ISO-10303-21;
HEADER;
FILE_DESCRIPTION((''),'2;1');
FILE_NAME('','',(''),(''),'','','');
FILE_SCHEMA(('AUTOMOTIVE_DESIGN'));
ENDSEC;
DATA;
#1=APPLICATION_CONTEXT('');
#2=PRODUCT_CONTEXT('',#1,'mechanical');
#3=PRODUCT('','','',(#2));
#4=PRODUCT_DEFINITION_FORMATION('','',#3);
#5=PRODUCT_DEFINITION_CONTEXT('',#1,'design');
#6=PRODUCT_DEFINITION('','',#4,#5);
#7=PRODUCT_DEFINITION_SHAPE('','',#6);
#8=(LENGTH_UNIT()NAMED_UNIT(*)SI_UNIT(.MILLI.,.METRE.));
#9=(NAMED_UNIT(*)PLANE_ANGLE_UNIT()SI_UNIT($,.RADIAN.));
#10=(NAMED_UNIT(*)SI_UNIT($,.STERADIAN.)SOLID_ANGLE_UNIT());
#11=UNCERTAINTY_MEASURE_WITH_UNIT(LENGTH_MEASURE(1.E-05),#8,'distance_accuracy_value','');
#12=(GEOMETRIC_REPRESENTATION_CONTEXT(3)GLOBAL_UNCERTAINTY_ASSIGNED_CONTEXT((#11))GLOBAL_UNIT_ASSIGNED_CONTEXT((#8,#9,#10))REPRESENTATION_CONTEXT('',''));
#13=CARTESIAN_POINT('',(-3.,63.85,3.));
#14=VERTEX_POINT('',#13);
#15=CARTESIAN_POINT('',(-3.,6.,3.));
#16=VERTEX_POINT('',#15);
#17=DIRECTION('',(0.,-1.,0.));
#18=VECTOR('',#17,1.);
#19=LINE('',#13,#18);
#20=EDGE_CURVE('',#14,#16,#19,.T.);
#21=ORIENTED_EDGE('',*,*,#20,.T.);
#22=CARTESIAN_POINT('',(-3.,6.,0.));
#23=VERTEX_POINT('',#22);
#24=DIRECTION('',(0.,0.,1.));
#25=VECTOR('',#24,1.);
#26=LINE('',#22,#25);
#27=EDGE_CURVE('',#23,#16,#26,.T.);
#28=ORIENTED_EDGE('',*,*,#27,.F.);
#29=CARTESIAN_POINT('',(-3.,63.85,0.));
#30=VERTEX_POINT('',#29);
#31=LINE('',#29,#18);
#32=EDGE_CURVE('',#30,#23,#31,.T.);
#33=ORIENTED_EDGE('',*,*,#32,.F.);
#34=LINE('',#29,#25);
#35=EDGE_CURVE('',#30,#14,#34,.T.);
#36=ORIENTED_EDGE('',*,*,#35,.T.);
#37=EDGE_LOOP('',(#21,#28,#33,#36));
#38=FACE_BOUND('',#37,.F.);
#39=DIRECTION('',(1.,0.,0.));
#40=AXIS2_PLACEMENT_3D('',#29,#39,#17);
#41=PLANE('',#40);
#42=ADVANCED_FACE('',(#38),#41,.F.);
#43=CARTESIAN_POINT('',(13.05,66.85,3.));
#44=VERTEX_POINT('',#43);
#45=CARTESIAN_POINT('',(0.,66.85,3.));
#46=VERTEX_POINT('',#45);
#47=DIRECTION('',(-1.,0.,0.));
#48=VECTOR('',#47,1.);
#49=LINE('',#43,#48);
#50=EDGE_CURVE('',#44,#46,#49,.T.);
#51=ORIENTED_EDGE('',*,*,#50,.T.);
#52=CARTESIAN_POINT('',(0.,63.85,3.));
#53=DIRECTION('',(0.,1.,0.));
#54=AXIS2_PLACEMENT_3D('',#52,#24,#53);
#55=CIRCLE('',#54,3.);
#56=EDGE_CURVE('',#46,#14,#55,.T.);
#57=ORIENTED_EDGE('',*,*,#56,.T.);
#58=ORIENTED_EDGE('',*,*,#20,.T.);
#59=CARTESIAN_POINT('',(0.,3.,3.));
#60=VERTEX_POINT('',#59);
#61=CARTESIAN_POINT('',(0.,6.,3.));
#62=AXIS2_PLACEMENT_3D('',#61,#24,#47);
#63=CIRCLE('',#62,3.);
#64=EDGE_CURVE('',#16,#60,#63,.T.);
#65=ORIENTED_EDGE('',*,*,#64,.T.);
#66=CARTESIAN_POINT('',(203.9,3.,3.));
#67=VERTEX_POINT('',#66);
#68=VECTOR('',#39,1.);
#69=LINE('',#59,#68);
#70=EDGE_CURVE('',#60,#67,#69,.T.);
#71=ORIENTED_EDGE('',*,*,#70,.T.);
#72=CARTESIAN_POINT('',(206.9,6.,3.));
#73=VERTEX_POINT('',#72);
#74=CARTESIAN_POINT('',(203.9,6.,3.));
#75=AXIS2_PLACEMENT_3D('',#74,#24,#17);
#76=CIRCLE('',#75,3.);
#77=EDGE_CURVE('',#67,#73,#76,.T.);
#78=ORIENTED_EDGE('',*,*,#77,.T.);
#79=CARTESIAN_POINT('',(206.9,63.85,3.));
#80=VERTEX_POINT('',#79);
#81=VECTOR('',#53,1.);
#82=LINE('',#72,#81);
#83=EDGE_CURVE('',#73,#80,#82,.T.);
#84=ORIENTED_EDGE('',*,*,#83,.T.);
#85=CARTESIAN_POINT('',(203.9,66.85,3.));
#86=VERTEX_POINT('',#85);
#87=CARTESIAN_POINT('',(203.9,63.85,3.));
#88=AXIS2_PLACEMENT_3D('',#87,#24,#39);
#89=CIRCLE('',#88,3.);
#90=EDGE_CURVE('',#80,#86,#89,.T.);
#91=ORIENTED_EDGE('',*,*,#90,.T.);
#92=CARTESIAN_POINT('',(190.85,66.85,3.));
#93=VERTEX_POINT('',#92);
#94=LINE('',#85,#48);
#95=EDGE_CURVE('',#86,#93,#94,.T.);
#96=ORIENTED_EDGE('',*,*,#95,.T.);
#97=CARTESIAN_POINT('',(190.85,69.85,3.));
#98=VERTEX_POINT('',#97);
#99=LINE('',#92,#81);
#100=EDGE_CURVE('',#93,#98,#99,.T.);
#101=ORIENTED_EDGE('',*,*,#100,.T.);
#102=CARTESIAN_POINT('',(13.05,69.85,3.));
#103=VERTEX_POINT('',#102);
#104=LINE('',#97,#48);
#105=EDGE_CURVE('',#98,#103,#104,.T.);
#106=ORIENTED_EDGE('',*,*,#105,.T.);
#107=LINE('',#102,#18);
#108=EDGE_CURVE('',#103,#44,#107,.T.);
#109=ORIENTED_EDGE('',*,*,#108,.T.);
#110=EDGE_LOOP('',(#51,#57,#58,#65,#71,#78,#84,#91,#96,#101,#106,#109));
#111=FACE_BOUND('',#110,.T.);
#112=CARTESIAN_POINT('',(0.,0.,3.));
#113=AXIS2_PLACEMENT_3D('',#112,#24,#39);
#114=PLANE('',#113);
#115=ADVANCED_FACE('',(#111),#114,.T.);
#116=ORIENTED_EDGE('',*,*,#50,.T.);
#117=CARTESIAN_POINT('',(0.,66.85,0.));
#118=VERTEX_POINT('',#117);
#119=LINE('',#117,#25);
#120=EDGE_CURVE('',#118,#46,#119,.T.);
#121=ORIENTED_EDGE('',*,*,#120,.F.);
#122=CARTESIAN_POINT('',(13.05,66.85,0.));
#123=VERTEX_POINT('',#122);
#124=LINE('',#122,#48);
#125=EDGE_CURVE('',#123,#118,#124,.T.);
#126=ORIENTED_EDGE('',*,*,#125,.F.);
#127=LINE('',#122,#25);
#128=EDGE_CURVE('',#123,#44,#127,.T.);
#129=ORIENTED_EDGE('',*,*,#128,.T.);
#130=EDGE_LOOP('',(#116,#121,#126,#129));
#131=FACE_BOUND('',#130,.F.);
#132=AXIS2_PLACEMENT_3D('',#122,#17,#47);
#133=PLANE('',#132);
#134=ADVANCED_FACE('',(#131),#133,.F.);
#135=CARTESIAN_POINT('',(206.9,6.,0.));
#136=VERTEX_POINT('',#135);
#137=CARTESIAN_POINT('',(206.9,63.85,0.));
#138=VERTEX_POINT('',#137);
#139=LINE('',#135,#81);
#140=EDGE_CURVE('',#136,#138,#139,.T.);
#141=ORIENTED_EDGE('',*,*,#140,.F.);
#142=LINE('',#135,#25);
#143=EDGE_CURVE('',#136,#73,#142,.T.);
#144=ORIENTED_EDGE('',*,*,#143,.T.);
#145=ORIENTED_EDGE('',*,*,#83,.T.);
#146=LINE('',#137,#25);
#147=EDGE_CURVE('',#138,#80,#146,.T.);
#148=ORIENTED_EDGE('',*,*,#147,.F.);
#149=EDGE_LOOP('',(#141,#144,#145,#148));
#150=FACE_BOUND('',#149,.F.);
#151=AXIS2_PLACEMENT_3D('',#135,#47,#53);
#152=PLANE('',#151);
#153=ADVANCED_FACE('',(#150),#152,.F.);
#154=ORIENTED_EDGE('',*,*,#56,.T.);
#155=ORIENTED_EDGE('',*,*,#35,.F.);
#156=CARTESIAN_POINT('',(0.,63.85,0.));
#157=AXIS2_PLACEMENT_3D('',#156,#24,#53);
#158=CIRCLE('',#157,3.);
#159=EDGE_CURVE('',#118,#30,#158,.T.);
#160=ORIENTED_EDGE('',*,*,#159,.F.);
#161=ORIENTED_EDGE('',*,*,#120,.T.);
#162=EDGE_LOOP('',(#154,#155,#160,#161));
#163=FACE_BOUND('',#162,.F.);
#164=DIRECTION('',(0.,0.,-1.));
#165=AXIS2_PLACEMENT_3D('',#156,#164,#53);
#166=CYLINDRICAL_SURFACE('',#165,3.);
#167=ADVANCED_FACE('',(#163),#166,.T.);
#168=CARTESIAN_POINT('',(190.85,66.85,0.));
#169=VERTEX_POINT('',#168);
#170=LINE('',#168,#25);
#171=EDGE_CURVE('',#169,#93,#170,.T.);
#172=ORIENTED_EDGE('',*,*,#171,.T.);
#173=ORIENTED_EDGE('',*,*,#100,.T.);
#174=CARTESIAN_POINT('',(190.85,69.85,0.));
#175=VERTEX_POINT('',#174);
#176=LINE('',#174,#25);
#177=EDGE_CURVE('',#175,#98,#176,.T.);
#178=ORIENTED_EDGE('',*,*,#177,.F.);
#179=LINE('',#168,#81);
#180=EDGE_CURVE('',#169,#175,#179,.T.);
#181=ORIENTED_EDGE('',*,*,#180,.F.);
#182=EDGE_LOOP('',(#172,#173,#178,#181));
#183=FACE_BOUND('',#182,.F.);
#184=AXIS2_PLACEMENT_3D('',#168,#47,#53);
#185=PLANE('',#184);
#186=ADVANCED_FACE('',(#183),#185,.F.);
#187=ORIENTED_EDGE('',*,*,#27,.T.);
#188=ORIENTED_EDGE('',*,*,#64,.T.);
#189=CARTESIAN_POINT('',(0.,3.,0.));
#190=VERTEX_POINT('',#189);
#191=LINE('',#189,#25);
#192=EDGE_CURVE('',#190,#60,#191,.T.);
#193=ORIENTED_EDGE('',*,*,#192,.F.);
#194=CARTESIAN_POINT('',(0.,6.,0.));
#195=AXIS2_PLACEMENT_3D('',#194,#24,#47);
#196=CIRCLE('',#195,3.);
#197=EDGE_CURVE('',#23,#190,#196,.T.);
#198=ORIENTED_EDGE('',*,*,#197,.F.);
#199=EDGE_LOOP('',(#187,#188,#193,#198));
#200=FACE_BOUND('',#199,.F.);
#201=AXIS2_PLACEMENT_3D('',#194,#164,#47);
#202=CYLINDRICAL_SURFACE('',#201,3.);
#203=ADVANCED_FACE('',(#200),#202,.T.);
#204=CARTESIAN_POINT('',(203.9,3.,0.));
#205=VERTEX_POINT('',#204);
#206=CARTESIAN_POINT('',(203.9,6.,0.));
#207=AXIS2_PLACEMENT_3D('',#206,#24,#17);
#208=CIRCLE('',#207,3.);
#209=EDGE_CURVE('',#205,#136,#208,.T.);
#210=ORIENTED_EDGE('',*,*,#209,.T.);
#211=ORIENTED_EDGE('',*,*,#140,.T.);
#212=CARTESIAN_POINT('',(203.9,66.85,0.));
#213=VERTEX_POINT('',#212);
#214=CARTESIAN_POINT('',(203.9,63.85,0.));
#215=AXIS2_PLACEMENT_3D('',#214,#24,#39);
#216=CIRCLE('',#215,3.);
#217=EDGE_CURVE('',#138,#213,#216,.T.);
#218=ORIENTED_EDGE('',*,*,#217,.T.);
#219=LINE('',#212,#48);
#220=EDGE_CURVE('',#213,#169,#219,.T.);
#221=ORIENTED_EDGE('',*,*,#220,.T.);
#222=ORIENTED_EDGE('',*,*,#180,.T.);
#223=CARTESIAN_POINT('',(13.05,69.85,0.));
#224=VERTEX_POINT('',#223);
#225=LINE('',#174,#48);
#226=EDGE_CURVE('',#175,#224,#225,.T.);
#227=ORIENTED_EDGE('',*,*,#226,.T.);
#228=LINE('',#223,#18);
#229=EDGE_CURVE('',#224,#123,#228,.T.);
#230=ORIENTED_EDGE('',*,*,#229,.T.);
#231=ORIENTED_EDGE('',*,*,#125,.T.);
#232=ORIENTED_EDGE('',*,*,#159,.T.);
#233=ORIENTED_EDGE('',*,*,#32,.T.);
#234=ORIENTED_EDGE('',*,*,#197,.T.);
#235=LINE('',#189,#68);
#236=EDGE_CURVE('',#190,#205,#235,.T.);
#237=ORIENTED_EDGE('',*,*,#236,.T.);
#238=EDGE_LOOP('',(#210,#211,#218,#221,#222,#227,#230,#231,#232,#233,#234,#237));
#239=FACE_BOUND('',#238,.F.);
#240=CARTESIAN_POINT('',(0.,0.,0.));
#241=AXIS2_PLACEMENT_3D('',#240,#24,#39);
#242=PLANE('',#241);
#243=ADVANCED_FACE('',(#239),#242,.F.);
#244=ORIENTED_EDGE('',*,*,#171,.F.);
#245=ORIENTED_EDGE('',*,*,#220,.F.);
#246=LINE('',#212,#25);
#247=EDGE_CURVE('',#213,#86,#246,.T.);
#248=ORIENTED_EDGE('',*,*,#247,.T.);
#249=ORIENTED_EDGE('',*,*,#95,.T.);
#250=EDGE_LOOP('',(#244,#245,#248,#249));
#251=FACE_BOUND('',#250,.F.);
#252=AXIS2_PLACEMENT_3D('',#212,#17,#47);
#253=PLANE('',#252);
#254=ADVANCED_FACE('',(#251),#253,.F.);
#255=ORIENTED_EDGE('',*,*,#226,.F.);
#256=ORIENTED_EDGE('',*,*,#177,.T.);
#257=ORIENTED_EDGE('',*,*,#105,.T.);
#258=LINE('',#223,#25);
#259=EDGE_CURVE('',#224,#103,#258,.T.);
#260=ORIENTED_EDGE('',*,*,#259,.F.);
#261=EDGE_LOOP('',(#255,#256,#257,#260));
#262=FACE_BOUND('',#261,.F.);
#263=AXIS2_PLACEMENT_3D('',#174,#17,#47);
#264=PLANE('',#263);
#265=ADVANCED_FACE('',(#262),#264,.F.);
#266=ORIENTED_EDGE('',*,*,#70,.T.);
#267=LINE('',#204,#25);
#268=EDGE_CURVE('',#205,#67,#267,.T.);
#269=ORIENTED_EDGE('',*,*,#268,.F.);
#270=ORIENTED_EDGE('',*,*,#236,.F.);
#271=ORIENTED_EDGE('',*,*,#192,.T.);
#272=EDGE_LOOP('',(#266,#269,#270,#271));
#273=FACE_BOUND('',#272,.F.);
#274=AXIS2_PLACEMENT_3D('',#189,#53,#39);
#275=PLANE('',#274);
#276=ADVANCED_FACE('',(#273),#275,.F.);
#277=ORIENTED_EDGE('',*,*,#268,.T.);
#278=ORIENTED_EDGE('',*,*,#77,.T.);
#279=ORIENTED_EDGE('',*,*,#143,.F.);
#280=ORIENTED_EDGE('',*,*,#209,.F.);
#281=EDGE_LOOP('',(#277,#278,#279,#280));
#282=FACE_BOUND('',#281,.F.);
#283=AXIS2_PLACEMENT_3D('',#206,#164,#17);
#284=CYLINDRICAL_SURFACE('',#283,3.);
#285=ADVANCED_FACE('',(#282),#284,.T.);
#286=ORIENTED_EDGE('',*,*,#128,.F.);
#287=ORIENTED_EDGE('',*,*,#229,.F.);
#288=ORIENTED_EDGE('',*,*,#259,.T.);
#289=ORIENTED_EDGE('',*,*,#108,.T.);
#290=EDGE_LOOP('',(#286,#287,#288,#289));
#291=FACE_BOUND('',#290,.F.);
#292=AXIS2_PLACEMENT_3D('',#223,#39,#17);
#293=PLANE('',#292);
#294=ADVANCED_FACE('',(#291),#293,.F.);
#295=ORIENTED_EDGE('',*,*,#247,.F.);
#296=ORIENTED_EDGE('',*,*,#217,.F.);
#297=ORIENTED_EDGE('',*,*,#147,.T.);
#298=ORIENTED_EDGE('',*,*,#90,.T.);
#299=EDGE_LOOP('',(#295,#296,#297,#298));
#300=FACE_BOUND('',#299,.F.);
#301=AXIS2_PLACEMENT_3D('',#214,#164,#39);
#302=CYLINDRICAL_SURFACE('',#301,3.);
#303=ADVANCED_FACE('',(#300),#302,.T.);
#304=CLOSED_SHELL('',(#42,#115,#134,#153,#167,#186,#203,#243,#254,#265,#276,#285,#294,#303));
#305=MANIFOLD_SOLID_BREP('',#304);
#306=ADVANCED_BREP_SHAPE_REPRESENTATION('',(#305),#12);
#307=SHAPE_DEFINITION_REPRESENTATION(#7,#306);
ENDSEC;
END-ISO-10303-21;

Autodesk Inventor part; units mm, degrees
ref_plane "YZ Plane" through (0, 0, 0) normal (1, 0, 0) x (0, 1, 0)
ref_plane "XZ Plane" through (0, 0, 0) normal (0, 1, 0) x (-1, 0, 0)
ref_plane "XY Plane" through (0, 0, 0) normal (0, 0, 1) x (1, 0, 0)
sketch "Sketch1" plane through (0, 0, 0) normal (0, 0, 1) x (1, 0, 0)
  line L0 (13.05, 69.85) -> (13.05, 66.85)
  line L1 (13.05, 66.85) -> (0, 66.85)
  arc A0 (0, 66.85) -> (-3, 63.85) centre (0, 63.85) ccw
  line L2 (-3, 63.85) -> (-3, 6)
  arc A1 (-3, 6) -> (0, 3) centre (0, 6) ccw
  line L3 (0, 3) -> (203.9, 3)
  arc A2 (203.9, 3) -> (206.9, 6) centre (203.9, 6) ccw
  line L4 (206.9, 6) -> (206.9, 63.85)
  arc A3 (206.9, 63.85) -> (203.9, 66.85) centre (203.9, 63.85) ccw
  line L5 (203.9, 66.85) -> (190.85, 66.85)
  line L6 (190.85, 66.85) -> (190.85, 69.85)
  line L7 (190.85, 69.85) -> (13.05, 69.85)
  line L8 (190.85, 66.85) -> (190.85, 69.85)
  line L9 (190.85, 66.85) -> (203.9, 66.85)
  line L10 (-3, 63.85) -> (-3, 6)
  line L11 (0, 3) -> (203.9, 3)
  line L12 (206.9, 6) -> (206.9, 63.85)
  arc A4 (203.9, 3) -> (206.9, 6) centre (203.9, 6) ccw
  line L13 (13.05, 66.85) -> (0, 66.85)
  line L14 (13.05, 66.85) -> (13.05, 69.85)
  point P0 (0, 0)
extrude "Plate1" add sketch "Sketch1" along normal blind 3
equation "\"d0\" = Thickness"
equation "\"BendRadius\" = Thickness"
equation "\"BendReliefWidth\" = Thickness"
equation "\"BendReliefDepth\" = 0.5 * Thickness"
equation "\"CornerReliefSize\" = 4 * Thickness"
equation "\"MinimumRemnant\" = 2 * Thickness"
equation "\"TransitionRadius\" = BendRadius"
equation "\"JacobiRadiusSize\" = BendRadius"
equation "\"GapSize\" = Thickness"
equation "\"Thickness\" = 3"
properties part number "sides 3mm" material "Aluminum 6061"
